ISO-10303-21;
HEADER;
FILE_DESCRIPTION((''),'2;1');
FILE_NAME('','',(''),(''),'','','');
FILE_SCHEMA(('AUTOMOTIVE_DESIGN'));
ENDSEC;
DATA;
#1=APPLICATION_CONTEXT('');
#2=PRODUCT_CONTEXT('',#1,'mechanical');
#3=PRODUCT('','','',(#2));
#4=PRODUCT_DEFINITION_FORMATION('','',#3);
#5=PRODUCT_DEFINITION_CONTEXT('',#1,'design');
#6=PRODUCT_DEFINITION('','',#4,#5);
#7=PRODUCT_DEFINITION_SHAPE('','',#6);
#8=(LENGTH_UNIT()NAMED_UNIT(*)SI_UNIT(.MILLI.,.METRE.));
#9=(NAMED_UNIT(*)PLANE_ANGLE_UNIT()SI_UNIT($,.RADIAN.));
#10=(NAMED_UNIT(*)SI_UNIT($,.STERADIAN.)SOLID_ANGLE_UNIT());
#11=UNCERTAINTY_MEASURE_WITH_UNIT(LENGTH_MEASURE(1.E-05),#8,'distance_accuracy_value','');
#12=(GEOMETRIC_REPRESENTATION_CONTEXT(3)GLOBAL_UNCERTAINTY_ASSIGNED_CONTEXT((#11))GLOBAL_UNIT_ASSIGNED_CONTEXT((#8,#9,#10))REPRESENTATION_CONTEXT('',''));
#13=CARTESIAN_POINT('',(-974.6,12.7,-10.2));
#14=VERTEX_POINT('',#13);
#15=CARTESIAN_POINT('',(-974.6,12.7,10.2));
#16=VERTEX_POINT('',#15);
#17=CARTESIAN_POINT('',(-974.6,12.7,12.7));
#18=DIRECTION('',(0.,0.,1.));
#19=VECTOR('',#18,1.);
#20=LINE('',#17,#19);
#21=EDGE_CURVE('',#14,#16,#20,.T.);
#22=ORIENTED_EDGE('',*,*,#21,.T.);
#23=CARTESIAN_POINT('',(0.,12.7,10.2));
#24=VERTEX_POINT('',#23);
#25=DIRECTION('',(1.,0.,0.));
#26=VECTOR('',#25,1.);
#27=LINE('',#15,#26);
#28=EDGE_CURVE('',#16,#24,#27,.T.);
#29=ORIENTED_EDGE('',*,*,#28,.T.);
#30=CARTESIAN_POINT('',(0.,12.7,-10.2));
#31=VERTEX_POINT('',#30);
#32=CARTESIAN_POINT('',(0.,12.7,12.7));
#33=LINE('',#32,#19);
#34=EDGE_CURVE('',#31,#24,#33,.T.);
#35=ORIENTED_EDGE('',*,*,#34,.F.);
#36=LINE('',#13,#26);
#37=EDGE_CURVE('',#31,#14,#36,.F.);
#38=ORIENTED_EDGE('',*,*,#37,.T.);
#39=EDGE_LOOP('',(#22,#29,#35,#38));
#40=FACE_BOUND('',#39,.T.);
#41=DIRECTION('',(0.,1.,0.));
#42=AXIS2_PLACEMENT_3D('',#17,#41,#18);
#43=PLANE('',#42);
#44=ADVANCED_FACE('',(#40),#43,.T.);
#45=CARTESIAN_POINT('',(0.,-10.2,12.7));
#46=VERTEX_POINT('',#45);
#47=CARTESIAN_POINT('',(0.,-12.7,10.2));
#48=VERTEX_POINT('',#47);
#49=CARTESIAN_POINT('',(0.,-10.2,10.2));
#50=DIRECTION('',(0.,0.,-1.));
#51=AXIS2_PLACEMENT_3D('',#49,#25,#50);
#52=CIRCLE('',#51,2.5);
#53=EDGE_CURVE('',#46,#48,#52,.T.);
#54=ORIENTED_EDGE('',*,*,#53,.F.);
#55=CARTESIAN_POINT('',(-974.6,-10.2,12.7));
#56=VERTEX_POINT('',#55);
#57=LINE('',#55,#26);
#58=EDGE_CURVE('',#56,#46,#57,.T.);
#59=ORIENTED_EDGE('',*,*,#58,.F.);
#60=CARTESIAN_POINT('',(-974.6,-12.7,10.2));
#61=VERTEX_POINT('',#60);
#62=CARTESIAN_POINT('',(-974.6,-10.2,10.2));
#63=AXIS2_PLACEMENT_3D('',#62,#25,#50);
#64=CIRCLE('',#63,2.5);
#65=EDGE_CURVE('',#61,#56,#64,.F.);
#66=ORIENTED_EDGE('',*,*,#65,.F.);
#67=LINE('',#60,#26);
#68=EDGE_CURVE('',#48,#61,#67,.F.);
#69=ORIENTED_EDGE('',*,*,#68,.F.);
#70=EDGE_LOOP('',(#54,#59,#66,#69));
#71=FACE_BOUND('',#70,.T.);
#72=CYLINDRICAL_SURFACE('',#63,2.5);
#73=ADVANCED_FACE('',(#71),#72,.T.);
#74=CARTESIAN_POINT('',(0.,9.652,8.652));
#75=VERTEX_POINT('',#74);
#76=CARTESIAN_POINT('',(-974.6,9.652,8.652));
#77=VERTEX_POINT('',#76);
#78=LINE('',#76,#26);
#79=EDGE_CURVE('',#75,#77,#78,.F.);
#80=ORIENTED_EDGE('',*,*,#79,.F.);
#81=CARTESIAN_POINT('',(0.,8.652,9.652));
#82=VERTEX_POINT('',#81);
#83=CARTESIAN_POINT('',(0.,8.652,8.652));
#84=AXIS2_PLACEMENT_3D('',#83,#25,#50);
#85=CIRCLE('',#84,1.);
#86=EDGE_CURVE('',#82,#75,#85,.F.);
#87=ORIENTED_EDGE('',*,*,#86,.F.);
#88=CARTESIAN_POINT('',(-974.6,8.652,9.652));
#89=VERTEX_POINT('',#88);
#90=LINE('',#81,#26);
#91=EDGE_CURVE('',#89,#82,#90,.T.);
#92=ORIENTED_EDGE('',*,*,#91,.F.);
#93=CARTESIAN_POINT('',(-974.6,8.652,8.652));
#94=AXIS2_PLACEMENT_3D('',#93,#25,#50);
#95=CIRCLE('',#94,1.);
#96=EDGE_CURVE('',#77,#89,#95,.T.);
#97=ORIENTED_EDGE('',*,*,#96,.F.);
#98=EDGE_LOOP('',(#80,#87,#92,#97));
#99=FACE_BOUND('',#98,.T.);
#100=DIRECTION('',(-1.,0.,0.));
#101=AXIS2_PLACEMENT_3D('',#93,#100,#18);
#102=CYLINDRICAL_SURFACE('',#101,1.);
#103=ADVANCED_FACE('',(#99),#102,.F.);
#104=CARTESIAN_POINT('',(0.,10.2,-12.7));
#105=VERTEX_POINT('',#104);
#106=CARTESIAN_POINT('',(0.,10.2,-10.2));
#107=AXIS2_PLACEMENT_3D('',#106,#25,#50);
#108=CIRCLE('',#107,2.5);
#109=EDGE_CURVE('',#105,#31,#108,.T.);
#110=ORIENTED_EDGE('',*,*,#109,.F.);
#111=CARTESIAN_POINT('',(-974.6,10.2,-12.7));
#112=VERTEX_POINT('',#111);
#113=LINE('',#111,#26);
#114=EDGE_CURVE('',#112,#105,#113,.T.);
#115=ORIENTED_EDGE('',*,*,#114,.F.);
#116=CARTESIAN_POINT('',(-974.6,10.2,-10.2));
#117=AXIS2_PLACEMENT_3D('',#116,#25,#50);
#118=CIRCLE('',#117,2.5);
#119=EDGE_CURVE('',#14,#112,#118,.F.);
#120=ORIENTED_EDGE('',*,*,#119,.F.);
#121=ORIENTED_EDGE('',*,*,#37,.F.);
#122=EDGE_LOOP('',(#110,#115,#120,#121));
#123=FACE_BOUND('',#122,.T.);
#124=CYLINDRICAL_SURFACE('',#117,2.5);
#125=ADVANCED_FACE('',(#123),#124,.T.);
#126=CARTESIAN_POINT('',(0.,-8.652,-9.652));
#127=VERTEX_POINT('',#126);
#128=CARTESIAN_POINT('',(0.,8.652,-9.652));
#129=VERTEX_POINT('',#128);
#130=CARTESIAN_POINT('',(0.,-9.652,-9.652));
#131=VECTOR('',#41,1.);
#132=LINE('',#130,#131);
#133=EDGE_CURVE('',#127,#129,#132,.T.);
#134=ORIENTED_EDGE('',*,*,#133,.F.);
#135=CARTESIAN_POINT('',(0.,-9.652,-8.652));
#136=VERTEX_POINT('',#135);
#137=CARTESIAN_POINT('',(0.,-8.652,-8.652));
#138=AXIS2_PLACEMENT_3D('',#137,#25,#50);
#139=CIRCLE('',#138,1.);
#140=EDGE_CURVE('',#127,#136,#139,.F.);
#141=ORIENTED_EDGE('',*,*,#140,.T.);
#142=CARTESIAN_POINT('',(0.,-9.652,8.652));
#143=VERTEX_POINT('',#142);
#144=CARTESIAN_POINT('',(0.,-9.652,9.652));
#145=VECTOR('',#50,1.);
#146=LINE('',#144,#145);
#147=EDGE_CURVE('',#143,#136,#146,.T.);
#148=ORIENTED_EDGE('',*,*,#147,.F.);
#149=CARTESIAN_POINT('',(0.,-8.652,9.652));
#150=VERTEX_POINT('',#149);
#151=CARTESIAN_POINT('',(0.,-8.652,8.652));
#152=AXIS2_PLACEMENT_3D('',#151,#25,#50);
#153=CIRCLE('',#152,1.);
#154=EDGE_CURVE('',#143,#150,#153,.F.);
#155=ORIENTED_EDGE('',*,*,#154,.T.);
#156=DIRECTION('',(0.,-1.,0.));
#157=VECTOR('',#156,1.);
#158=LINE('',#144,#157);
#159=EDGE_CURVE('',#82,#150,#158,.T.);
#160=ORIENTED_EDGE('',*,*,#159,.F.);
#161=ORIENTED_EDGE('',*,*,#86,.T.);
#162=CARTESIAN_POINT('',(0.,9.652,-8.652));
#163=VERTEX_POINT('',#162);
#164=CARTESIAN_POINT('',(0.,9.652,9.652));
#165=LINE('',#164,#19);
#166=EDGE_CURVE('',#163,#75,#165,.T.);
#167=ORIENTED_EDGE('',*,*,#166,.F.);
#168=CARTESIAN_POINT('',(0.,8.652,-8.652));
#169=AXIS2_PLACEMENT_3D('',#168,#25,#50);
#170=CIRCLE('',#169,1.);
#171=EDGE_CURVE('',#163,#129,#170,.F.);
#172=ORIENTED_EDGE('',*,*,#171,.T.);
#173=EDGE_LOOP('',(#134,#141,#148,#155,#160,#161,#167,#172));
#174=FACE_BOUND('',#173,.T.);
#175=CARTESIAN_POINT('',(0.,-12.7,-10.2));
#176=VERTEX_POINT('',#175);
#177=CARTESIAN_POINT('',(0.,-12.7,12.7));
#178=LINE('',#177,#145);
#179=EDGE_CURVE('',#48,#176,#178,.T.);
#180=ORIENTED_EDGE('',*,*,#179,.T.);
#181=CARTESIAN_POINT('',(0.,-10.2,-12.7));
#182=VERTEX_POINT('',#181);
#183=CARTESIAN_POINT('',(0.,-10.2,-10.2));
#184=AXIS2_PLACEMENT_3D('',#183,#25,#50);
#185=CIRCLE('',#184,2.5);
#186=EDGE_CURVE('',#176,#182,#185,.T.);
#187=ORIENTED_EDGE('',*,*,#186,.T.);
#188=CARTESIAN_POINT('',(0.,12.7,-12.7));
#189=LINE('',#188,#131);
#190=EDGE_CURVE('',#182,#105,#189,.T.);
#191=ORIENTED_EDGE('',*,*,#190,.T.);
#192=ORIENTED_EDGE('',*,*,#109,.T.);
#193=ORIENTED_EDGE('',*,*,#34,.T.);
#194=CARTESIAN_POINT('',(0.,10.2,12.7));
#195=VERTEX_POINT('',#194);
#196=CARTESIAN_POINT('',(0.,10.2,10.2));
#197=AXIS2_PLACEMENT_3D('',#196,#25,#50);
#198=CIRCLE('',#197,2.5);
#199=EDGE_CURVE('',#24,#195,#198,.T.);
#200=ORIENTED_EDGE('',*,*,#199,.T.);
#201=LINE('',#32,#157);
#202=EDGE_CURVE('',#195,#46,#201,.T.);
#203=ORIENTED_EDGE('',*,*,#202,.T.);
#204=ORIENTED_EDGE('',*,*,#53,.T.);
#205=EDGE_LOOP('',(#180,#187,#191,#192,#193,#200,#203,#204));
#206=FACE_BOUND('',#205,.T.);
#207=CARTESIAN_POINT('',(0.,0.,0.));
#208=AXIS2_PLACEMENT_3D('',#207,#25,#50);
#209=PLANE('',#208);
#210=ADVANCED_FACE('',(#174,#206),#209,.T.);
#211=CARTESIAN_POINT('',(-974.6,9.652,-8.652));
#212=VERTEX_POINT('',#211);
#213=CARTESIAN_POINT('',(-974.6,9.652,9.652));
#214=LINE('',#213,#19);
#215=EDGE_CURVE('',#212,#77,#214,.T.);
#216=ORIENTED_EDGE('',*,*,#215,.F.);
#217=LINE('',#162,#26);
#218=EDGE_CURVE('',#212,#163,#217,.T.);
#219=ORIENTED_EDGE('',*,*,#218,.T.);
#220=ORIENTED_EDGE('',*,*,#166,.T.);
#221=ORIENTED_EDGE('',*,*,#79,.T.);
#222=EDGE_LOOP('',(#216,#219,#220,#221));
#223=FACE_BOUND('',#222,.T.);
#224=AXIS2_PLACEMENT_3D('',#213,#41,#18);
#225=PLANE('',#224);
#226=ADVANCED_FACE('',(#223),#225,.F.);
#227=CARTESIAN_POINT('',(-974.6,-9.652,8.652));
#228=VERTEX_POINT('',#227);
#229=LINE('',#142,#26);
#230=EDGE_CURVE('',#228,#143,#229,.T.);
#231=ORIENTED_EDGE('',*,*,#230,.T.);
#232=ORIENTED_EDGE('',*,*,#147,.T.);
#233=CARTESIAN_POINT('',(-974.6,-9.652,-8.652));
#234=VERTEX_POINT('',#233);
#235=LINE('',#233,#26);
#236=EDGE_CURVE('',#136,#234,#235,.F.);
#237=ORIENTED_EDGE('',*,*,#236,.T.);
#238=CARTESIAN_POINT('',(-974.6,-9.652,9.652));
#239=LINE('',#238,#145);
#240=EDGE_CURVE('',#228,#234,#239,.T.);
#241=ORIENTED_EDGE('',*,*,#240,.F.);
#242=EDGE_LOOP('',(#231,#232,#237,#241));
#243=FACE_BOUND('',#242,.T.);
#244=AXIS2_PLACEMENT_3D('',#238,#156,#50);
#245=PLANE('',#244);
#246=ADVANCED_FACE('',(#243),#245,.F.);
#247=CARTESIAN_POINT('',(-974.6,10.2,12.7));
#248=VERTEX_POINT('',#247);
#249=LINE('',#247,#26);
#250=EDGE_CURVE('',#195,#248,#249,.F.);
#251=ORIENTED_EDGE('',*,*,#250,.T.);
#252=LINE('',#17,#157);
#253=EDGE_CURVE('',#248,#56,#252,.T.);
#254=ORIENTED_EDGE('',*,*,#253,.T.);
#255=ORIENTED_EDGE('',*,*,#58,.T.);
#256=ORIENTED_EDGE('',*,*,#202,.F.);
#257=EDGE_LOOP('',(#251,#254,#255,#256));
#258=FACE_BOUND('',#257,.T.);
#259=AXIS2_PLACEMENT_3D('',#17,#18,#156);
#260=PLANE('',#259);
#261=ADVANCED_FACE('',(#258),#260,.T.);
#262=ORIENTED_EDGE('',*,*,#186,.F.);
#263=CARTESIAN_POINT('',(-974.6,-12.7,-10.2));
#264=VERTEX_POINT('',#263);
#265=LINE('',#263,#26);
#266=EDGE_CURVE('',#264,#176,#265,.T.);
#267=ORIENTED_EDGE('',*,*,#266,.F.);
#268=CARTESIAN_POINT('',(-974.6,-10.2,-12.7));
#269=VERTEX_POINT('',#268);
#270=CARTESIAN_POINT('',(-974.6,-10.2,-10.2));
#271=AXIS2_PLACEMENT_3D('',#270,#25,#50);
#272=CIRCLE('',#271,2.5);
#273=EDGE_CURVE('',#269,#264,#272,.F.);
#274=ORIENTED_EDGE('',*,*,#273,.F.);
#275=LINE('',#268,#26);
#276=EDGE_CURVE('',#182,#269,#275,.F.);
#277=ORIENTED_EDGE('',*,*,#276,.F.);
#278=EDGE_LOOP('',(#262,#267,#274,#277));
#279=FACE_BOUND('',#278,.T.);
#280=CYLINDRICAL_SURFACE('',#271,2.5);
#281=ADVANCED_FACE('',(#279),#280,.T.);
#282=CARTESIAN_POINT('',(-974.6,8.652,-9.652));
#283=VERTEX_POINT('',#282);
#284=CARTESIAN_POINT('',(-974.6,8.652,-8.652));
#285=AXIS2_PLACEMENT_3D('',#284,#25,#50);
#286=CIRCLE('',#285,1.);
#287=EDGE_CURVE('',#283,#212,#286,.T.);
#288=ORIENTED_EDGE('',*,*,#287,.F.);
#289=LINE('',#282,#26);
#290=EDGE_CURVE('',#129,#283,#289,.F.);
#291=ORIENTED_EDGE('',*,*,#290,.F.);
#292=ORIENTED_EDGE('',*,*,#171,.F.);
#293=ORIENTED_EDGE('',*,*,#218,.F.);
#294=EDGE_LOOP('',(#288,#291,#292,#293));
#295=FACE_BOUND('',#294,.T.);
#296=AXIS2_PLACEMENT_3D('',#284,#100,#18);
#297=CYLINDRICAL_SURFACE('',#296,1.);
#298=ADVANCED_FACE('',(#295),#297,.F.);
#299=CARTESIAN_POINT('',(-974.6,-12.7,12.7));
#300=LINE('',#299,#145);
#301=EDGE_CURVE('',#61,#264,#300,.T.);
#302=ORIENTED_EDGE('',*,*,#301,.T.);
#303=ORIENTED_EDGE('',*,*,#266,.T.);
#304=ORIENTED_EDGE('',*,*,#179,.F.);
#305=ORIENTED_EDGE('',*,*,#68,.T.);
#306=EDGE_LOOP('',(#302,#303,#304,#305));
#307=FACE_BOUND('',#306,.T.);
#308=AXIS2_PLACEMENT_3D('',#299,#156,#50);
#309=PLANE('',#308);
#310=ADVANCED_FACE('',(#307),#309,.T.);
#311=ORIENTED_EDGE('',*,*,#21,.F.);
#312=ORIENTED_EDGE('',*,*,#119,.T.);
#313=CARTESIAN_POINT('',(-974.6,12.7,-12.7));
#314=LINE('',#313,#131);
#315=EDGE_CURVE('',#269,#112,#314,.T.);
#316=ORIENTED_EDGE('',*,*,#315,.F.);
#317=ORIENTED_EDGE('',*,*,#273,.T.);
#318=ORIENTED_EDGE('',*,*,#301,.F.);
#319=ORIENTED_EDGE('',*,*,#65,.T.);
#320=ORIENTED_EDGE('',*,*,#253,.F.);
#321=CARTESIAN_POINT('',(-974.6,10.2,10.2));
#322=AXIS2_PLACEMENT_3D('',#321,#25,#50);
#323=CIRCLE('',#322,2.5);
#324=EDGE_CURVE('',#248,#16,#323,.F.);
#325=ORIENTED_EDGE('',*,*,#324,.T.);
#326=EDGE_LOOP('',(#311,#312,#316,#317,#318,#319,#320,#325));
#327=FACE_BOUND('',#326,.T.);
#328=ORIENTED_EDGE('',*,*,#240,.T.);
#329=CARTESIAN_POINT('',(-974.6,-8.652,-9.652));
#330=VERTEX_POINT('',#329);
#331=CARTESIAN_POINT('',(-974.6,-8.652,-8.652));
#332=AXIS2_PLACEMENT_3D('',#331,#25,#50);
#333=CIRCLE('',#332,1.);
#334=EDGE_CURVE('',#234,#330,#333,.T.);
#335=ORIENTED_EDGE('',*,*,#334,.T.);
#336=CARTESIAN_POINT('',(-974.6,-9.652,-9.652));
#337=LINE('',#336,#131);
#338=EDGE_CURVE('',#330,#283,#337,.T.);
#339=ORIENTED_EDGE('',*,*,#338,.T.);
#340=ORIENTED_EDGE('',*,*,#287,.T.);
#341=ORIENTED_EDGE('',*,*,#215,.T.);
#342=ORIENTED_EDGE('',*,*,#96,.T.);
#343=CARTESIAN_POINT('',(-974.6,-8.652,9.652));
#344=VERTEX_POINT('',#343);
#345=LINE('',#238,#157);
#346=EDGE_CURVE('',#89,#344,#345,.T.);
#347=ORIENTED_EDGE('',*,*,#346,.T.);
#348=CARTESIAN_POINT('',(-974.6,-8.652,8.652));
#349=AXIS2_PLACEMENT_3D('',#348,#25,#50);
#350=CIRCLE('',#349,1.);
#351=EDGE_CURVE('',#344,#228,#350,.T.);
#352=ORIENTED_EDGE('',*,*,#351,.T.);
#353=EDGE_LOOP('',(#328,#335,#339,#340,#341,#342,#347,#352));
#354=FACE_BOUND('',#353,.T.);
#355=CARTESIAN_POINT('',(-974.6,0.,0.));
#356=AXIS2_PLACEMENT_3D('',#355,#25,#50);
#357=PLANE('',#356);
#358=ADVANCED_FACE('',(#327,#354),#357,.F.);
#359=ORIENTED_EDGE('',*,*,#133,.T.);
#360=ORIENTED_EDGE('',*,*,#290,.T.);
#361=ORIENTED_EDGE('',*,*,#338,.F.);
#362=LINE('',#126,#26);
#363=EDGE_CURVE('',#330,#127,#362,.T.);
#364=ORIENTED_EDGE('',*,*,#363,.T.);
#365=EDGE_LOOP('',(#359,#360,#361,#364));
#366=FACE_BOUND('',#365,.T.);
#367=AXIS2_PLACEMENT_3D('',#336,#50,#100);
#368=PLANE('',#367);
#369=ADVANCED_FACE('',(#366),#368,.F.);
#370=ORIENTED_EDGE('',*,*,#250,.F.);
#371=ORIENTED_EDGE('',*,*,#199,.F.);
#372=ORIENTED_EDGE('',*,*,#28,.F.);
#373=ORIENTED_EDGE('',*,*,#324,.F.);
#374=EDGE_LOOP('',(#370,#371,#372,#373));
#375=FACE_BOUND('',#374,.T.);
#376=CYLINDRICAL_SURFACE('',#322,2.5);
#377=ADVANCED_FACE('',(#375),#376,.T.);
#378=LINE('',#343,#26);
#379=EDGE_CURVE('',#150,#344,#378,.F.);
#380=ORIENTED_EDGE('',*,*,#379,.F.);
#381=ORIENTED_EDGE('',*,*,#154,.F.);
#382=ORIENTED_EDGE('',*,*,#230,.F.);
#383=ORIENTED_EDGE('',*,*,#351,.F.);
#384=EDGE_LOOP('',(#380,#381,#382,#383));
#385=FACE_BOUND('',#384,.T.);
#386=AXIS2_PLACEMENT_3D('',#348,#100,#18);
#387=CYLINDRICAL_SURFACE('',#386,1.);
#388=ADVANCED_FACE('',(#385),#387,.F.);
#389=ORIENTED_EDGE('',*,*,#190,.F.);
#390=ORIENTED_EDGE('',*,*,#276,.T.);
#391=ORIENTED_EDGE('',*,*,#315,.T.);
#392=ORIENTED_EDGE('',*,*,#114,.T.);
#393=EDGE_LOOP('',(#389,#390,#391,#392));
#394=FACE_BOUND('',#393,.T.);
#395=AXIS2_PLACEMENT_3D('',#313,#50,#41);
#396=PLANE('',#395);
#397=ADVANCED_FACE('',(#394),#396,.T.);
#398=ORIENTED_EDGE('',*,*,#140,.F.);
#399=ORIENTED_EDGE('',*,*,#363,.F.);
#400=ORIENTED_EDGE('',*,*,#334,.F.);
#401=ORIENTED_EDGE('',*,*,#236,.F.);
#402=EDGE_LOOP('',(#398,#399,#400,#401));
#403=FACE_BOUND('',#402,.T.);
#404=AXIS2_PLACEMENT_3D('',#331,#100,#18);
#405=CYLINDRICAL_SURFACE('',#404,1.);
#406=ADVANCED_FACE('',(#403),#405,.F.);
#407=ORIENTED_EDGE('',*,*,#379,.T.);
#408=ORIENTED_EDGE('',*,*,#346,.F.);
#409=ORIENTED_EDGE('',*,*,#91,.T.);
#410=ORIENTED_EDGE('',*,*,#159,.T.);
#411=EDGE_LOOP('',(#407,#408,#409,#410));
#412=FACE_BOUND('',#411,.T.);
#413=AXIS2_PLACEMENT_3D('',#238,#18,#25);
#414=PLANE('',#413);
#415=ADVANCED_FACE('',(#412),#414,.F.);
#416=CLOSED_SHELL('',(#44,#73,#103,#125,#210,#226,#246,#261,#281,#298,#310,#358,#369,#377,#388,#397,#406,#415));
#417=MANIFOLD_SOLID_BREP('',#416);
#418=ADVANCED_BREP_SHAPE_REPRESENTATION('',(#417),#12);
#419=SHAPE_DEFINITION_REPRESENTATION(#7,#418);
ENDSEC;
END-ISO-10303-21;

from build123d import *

# Parameters (mm, degrees)
SKETCH3_W           = 25.4
SKETCH3_H           = 25.4
SKETCH3_W_2         = 19.304
SKETCH3_H_2         = 19.304
BOSS_EXTRUDE1_DEPTH = 974.6
FILLET1_R           = 2.5
FILLET2_R           = 1


with BuildPart() as part:
    # Sketch3 → Boss-Extrude1 (new body)
    with BuildSketch(Plane(origin=(0, 0, 0), x_dir=(0, 0, -1), z_dir=(1, 0, 0))):
        Rectangle(SKETCH3_W, SKETCH3_H)
        Rectangle(SKETCH3_W_2, SKETCH3_H_2, mode=Mode.SUBTRACT)
    extrude(amount=-BOSS_EXTRUDE1_DEPTH)

    # Fillet1
    fillet1_edges = [part.edges().sort_by_distance(p)[0] for p in [
        (-487.3, -12.7, -12.7),
        (-487.3, -12.7, 12.7),
        (-487.3, 12.7, 12.7),
        (-487.3, 12.7, -12.7),
    ]]
    fillet(fillet1_edges, radius=FILLET1_R)

    # Fillet2
    fillet2_edges = [part.edges().sort_by_distance(p)[0] for p in [
        (-487.3, 9.652, -9.652),
        (-487.3, -9.652, -9.652),
        (-487.3, -9.652, 9.652),
        (-487.3, 9.652, 9.652),
    ]]
    fillet(fillet2_edges, radius=FILLET2_R)


solid = part.part
